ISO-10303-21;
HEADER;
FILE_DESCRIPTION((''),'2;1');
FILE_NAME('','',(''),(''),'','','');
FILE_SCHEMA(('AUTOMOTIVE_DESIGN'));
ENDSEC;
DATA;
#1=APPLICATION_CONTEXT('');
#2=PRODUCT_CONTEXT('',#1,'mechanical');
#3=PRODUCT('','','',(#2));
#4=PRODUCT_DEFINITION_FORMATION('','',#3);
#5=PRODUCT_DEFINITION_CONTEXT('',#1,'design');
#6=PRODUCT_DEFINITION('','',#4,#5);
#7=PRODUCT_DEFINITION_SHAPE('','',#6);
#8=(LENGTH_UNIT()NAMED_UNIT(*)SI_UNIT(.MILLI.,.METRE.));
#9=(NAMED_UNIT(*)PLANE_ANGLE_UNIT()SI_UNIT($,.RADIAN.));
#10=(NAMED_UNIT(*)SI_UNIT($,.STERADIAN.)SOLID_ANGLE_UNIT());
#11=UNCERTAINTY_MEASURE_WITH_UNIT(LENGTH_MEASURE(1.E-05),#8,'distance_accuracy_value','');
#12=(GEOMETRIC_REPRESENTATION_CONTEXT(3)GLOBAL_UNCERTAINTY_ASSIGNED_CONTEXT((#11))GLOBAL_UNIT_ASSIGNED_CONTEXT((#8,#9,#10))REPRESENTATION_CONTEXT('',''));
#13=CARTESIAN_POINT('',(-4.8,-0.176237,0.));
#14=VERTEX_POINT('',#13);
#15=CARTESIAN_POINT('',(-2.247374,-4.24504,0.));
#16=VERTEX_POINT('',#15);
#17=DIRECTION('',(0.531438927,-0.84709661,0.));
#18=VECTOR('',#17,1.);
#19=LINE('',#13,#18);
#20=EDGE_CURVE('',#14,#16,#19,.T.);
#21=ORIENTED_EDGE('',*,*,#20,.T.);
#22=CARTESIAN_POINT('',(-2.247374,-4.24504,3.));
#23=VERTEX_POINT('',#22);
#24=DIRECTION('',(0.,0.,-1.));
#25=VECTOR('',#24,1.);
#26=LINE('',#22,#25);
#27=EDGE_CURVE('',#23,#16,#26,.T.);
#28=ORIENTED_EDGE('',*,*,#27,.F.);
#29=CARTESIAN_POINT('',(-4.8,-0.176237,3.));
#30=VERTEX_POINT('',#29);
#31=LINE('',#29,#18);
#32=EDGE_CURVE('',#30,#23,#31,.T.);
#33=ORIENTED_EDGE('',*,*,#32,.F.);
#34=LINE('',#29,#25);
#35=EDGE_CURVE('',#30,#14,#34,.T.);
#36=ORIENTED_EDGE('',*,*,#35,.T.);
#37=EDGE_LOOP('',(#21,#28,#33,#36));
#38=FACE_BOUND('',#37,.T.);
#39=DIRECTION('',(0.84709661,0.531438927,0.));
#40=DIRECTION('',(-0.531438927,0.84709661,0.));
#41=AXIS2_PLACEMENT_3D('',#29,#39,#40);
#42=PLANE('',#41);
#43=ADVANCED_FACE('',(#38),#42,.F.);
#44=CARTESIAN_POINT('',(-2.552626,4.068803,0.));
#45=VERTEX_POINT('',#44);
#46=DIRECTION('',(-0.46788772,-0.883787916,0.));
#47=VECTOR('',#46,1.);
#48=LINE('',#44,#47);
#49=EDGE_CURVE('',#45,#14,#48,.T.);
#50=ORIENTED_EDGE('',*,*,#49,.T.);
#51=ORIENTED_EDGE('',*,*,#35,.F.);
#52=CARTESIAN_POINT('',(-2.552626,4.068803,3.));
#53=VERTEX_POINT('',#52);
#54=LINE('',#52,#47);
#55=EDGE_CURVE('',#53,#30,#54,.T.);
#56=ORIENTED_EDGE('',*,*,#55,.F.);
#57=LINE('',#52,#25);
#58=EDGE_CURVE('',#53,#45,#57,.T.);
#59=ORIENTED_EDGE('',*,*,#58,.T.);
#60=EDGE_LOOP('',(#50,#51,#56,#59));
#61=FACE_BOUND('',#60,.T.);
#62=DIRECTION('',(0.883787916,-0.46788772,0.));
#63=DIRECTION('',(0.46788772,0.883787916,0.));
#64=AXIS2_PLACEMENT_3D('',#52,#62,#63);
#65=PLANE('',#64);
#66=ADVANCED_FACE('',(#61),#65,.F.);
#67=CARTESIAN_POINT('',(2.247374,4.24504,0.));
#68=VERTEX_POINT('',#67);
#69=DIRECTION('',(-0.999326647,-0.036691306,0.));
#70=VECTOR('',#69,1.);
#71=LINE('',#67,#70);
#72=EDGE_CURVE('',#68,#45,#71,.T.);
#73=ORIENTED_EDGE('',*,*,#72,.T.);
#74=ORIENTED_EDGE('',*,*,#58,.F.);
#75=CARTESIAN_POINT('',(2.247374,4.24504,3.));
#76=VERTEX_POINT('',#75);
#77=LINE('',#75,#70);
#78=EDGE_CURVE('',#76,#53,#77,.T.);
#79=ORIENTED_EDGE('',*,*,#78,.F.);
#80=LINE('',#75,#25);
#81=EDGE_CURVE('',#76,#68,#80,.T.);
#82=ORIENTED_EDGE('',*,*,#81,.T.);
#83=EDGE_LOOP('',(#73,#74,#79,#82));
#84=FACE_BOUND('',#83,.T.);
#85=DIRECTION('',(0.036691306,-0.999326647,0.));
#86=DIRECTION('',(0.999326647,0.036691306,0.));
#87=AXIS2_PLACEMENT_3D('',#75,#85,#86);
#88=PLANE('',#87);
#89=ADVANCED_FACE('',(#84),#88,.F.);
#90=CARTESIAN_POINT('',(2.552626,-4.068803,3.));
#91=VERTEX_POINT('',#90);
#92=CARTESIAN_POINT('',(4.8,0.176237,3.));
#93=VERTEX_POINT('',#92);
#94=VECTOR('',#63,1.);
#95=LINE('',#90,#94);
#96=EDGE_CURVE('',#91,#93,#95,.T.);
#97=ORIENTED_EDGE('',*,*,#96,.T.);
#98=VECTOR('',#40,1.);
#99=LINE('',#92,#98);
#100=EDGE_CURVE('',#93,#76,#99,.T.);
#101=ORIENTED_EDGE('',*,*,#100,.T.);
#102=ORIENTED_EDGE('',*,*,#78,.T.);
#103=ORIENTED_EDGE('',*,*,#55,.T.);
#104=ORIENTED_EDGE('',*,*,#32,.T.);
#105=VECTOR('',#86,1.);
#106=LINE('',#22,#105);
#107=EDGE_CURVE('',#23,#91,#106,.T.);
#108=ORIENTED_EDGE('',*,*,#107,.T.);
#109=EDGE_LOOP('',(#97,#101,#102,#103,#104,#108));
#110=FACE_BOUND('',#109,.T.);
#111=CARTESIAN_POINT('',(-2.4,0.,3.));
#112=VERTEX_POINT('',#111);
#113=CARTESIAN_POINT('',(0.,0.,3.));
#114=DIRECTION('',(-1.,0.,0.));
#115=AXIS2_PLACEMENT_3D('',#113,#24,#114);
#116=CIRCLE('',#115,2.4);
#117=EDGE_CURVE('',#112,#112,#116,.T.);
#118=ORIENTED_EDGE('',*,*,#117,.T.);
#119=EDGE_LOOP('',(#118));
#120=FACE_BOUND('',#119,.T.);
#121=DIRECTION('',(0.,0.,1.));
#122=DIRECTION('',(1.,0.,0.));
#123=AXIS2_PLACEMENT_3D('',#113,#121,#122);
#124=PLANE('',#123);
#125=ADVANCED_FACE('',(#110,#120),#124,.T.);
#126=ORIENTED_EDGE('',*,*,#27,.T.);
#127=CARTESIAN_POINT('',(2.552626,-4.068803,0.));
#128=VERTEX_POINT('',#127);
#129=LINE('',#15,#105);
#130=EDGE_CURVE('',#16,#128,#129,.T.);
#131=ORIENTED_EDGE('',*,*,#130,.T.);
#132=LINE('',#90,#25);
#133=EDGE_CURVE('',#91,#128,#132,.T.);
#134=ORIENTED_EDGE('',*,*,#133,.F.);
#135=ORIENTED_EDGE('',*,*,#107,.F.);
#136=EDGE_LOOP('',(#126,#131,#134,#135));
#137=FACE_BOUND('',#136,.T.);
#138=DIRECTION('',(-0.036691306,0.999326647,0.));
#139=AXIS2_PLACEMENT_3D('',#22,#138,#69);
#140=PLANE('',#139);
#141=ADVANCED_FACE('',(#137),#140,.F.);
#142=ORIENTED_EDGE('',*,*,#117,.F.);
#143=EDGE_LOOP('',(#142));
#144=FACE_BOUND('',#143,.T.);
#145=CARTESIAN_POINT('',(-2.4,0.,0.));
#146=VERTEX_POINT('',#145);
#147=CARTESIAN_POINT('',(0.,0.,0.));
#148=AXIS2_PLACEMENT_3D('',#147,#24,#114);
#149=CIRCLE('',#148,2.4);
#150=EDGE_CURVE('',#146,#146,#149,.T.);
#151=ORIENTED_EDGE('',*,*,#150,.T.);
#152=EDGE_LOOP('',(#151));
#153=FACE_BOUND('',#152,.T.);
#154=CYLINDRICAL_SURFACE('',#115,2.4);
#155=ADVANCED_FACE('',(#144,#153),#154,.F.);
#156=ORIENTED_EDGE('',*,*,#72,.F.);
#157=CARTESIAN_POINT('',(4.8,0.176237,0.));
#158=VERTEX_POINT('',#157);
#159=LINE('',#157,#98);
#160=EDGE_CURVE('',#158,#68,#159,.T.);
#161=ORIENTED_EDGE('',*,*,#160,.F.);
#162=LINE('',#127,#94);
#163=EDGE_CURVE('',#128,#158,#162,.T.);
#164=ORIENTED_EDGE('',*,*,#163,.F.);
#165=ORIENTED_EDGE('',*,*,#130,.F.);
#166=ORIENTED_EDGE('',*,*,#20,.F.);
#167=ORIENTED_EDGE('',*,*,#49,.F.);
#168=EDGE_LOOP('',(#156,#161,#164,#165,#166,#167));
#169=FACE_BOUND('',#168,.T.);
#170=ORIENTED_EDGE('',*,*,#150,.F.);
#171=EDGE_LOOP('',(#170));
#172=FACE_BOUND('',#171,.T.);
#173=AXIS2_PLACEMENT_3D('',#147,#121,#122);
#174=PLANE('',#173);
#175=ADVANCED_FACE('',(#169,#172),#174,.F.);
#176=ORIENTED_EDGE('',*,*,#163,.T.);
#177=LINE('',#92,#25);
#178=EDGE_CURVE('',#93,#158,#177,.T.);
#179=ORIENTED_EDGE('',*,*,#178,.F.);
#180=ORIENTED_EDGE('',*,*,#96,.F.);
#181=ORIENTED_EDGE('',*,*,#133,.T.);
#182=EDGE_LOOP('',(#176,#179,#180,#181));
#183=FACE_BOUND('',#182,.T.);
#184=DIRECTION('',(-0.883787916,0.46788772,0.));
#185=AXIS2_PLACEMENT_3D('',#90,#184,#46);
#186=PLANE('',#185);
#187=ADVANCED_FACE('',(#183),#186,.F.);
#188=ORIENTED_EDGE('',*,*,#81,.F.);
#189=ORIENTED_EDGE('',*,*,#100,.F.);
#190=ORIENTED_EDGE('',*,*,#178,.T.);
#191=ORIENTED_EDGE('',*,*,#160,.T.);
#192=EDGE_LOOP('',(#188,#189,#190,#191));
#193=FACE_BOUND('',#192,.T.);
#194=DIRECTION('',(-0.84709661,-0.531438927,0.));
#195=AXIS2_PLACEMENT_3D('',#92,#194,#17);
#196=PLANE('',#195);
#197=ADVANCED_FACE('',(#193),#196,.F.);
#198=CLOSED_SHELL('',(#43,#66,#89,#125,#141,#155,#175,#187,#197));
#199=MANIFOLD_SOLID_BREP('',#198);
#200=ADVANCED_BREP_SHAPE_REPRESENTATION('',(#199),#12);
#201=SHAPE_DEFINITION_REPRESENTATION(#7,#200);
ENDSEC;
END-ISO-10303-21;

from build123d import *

# Parameters (mm, degrees)
EXTRUDE_1_DEPTH     = 3
SKETCH_2_R          = 2.4
CUT_EXTRUDE_1_DEPTH = 3


with BuildPart() as part:
    # 草图1 → 凸台-拉伸1 (new body)
    with BuildSketch(Plane.XY):
        Polygon((2.247374334, 4.245040408), (-2.552625666, 4.068803469), (-4.8, -0.176236939), (-2.247374334, -4.245040408), (2.552625666, -4.068803469), (4.8, 0.176236939), align=None)
    extrude(amount=EXTRUDE_1_DEPTH)

    # 草图2 → 切除-拉伸1 (cut)
    with BuildSketch(Plane(origin=(0, 0, 0), x_dir=(-1, 0, 0), z_dir=(0, 0, -1))):
        Circle(SKETCH_2_R)
    extrude(amount=-CUT_EXTRUDE_1_DEPTH, mode=Mode.SUBTRACT)


solid = part.part
